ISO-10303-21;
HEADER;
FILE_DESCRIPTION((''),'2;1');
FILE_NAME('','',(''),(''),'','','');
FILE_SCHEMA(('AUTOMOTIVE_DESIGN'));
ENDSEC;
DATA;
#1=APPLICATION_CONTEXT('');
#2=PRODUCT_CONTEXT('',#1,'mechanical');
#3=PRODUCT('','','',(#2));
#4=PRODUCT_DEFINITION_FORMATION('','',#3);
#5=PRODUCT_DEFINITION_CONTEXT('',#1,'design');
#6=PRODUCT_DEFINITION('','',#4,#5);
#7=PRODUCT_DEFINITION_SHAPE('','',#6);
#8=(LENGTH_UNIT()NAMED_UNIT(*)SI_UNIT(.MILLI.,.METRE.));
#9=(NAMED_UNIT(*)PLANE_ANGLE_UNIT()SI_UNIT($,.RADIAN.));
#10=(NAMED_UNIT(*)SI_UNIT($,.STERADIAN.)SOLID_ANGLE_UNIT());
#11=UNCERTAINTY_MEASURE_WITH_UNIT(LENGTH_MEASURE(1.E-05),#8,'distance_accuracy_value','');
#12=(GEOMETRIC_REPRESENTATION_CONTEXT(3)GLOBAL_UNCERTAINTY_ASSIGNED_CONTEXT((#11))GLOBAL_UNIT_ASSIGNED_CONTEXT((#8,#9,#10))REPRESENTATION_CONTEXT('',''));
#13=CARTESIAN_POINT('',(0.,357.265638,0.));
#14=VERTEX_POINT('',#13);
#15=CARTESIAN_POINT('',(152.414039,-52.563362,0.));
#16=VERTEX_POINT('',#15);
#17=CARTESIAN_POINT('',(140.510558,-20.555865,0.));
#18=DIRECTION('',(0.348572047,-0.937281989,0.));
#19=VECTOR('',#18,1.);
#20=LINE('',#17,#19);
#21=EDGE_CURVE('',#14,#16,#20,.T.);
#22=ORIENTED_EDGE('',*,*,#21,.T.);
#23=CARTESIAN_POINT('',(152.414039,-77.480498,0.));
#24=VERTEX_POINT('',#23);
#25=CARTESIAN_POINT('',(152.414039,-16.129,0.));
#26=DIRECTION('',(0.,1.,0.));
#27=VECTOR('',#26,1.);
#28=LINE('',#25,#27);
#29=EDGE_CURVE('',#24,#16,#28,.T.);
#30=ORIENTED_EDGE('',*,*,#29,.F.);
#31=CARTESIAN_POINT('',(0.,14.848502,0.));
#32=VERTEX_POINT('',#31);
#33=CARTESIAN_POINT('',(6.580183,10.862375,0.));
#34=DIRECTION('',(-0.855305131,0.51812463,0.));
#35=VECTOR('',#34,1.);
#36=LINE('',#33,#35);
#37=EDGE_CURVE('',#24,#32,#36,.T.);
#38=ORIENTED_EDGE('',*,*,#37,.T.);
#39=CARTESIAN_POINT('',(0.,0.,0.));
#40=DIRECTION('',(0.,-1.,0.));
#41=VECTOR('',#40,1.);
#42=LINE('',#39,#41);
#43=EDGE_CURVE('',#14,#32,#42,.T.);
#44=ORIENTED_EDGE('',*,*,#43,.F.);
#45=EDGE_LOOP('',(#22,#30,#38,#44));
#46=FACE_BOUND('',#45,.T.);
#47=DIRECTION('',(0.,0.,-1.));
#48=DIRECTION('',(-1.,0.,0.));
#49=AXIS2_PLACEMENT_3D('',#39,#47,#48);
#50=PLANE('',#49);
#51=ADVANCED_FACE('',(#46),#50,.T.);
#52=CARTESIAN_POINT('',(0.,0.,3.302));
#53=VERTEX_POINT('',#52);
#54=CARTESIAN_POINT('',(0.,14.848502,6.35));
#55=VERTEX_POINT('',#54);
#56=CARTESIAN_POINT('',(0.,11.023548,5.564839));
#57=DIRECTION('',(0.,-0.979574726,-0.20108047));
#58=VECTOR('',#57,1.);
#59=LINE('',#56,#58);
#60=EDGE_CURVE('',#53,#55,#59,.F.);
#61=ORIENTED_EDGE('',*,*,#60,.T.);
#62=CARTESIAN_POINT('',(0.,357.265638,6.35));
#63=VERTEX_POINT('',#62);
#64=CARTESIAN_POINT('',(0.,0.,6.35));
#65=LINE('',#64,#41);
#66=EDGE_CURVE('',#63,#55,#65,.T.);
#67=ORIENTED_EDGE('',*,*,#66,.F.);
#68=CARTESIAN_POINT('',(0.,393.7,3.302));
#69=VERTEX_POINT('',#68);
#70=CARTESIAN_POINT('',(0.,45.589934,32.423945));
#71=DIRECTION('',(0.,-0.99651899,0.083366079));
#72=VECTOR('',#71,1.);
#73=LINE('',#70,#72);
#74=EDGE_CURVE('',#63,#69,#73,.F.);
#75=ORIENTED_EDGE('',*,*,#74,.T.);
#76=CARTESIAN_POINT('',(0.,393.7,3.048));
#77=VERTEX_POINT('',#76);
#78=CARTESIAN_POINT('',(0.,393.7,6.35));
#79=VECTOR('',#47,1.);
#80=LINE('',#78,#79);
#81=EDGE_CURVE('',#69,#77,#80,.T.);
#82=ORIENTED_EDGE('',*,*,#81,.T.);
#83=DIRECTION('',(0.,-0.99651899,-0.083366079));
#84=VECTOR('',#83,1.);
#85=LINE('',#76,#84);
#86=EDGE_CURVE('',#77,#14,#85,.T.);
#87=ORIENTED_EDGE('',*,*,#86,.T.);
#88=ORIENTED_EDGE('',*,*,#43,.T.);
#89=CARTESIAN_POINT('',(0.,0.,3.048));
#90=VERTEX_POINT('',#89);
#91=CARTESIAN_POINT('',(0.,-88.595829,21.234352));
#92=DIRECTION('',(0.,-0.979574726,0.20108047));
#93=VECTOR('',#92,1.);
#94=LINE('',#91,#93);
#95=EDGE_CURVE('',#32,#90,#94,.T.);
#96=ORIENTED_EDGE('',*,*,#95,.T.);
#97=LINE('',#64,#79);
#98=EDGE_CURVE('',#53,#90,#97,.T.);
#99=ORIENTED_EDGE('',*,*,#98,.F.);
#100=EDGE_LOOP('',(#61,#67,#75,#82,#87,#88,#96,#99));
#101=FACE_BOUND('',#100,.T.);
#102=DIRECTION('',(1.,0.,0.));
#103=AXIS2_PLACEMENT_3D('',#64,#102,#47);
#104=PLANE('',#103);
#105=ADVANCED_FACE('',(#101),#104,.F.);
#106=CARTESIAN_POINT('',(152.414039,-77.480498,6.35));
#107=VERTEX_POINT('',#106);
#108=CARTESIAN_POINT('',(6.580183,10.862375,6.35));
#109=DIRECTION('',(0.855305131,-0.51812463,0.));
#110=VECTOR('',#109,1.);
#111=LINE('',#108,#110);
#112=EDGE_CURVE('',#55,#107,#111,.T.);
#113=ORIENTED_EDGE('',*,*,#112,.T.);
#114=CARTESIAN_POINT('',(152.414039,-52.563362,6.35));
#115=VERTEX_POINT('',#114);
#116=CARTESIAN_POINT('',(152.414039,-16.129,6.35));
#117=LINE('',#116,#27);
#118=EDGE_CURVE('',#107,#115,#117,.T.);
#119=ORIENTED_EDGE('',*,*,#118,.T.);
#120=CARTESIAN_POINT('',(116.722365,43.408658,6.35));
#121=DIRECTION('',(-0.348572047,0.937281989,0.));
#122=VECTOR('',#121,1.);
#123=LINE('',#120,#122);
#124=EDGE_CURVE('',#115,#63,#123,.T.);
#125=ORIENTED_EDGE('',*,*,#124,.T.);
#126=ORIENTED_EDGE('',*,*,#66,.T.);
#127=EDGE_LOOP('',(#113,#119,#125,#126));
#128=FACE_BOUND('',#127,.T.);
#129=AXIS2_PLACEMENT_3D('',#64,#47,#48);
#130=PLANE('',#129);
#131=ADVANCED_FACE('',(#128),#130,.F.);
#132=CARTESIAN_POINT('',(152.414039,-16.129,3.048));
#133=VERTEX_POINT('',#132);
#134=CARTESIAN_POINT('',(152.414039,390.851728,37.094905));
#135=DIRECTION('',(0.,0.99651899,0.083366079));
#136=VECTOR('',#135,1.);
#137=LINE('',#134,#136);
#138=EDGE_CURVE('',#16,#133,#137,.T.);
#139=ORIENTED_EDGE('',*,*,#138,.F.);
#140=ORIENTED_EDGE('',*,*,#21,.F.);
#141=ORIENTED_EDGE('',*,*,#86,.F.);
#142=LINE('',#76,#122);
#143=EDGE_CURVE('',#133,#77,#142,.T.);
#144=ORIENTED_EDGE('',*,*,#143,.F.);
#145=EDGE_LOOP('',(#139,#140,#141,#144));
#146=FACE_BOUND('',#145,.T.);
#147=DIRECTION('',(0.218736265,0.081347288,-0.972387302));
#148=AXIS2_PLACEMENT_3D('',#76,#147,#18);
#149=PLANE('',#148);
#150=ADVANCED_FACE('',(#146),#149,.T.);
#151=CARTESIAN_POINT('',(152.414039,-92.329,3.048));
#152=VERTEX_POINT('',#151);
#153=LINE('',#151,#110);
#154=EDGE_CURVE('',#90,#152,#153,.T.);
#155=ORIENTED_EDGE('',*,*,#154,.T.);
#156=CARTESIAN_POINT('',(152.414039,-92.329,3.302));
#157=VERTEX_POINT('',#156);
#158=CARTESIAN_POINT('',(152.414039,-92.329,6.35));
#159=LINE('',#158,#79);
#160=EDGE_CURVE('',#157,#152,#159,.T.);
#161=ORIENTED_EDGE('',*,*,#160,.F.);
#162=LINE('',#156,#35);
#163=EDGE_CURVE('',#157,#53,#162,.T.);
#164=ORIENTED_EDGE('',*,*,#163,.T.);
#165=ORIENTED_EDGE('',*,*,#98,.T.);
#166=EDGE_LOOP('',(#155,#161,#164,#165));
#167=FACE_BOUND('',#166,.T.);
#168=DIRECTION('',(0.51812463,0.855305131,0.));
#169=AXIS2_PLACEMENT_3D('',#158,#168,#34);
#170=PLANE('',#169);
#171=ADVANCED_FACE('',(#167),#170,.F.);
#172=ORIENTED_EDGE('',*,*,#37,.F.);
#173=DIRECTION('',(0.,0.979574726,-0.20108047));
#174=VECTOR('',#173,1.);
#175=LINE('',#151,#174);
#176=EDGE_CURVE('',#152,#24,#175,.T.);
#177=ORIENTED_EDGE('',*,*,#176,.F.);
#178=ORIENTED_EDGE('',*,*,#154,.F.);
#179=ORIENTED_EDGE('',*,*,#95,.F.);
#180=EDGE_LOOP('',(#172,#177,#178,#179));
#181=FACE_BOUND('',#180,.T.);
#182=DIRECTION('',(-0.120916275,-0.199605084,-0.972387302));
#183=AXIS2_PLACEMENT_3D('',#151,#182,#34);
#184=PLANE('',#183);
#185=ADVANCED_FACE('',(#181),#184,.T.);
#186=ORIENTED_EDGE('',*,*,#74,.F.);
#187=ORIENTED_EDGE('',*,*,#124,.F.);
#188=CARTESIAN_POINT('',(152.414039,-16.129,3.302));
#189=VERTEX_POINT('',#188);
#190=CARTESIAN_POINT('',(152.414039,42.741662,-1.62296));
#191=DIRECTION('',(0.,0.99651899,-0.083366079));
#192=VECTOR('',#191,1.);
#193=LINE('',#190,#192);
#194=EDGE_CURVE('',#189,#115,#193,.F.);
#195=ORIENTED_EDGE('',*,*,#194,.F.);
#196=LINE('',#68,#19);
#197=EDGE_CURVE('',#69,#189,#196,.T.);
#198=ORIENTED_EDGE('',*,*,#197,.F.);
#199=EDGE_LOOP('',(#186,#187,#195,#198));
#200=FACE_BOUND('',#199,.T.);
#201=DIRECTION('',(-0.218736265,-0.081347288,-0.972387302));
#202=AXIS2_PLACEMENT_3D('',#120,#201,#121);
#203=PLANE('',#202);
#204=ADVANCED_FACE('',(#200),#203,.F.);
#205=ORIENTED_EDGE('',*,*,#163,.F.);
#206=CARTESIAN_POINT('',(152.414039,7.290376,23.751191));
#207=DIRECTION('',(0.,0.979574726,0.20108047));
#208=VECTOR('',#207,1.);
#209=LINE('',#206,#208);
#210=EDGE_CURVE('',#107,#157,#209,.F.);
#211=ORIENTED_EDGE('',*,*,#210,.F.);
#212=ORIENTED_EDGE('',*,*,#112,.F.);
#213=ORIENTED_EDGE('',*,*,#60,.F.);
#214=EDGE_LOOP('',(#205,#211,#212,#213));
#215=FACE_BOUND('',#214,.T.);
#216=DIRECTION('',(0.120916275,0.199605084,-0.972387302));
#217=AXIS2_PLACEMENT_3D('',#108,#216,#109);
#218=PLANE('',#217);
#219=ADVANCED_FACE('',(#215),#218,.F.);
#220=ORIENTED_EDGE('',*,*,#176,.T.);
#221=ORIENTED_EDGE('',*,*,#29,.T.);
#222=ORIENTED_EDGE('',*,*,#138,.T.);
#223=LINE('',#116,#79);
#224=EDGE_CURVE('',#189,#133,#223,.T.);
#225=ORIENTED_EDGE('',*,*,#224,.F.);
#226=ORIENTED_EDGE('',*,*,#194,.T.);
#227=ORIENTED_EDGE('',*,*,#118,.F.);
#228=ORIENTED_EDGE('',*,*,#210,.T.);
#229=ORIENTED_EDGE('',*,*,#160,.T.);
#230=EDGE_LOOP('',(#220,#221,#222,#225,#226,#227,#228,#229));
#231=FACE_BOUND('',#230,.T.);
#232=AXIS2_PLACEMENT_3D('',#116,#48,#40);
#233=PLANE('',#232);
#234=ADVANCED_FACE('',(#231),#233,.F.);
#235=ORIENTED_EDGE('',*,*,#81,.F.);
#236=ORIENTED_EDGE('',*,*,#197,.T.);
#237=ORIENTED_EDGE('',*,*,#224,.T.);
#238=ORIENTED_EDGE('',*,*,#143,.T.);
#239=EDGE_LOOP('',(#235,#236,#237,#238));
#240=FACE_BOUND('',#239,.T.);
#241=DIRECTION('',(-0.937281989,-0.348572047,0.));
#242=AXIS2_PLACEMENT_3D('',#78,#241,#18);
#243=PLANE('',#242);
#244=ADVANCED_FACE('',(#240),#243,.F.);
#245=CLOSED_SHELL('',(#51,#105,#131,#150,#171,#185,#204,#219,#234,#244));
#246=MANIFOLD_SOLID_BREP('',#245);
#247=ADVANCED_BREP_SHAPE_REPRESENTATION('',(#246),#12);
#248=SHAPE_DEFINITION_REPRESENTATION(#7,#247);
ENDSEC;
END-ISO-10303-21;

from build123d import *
from OCP.BRepFilletAPI import BRepFilletAPI_MakeChamfer

# Parameters (mm, degrees)
BOSS_EXTRUDE1_DEPTH = 6.35
CHAMFER1_SIZE       = 12.7
CHAMFER1_SIZE2      = 3.048
CHAMFER2_SIZE       = 3.048
CHAMFER2_SIZE2      = 12.7


with BuildPart() as part:
    # Sketch2 → Boss-Extrude1 (new body)
    with BuildSketch(Plane.XY):
        Polygon((0, 0), (0, 393.7), (152.414038874, -16.129), (152.414038874, -92.329), align=None)
    extrude(amount=BOSS_EXTRUDE1_DEPTH)

    # Chamfer1
    chamfer1_edges = [part.edges().sort_by_distance(p)[0] for p in [
        (76.207019437, 188.7855, 0),
        (76.207019437, -46.1645, 0),
    ]]
    chamfer1_side = [part.faces().sort_by_distance(p)[0] for p in [
        (59.04327632, 99.585162162, 0),
    ]]
    chamfer(chamfer1_edges, length=CHAMFER1_SIZE, length2=CHAMFER1_SIZE2, reference=chamfer1_side[0])

    # Chamfer2: one chamfer whose edges measure the first distance from different faces: ONE call of the kernel's chamfer builder (chamfer() names one face for all edges)
    chamfer2_edges_1 = [part.edges().sort_by_distance(p)[0] for p in [
        (76.207019437, 188.7855, 6.35),
    ]]
    chamfer2_side_1 = [part.faces().sort_by_distance(p)[0] for p in [
        (76.207019437, 188.7855, 4.699),
    ]]
    chamfer2_edges_2 = [part.edges().sort_by_distance(p)[0] for p in [
        (76.207019437, -46.1645, 6.35),
    ]]
    chamfer2_side_2 = [part.faces().sort_by_distance(p)[0] for p in [
        (76.207019437, -46.1645, 4.699),
    ]]
    chamfer2 = BRepFilletAPI_MakeChamfer(part.part.solid().wrapped)
    for e in chamfer2_edges_1:
        chamfer2.Add(CHAMFER2_SIZE, CHAMFER2_SIZE2, e.wrapped, chamfer2_side_1[0].wrapped)  # the first distance lies on this face
    for e in chamfer2_edges_2:
        chamfer2.Add(CHAMFER2_SIZE, CHAMFER2_SIZE2, e.wrapped, chamfer2_side_2[0].wrapped)  # the first distance lies on this face
    add(Compound.cast(chamfer2.Shape()), mode=Mode.REPLACE)


solid = part.part
